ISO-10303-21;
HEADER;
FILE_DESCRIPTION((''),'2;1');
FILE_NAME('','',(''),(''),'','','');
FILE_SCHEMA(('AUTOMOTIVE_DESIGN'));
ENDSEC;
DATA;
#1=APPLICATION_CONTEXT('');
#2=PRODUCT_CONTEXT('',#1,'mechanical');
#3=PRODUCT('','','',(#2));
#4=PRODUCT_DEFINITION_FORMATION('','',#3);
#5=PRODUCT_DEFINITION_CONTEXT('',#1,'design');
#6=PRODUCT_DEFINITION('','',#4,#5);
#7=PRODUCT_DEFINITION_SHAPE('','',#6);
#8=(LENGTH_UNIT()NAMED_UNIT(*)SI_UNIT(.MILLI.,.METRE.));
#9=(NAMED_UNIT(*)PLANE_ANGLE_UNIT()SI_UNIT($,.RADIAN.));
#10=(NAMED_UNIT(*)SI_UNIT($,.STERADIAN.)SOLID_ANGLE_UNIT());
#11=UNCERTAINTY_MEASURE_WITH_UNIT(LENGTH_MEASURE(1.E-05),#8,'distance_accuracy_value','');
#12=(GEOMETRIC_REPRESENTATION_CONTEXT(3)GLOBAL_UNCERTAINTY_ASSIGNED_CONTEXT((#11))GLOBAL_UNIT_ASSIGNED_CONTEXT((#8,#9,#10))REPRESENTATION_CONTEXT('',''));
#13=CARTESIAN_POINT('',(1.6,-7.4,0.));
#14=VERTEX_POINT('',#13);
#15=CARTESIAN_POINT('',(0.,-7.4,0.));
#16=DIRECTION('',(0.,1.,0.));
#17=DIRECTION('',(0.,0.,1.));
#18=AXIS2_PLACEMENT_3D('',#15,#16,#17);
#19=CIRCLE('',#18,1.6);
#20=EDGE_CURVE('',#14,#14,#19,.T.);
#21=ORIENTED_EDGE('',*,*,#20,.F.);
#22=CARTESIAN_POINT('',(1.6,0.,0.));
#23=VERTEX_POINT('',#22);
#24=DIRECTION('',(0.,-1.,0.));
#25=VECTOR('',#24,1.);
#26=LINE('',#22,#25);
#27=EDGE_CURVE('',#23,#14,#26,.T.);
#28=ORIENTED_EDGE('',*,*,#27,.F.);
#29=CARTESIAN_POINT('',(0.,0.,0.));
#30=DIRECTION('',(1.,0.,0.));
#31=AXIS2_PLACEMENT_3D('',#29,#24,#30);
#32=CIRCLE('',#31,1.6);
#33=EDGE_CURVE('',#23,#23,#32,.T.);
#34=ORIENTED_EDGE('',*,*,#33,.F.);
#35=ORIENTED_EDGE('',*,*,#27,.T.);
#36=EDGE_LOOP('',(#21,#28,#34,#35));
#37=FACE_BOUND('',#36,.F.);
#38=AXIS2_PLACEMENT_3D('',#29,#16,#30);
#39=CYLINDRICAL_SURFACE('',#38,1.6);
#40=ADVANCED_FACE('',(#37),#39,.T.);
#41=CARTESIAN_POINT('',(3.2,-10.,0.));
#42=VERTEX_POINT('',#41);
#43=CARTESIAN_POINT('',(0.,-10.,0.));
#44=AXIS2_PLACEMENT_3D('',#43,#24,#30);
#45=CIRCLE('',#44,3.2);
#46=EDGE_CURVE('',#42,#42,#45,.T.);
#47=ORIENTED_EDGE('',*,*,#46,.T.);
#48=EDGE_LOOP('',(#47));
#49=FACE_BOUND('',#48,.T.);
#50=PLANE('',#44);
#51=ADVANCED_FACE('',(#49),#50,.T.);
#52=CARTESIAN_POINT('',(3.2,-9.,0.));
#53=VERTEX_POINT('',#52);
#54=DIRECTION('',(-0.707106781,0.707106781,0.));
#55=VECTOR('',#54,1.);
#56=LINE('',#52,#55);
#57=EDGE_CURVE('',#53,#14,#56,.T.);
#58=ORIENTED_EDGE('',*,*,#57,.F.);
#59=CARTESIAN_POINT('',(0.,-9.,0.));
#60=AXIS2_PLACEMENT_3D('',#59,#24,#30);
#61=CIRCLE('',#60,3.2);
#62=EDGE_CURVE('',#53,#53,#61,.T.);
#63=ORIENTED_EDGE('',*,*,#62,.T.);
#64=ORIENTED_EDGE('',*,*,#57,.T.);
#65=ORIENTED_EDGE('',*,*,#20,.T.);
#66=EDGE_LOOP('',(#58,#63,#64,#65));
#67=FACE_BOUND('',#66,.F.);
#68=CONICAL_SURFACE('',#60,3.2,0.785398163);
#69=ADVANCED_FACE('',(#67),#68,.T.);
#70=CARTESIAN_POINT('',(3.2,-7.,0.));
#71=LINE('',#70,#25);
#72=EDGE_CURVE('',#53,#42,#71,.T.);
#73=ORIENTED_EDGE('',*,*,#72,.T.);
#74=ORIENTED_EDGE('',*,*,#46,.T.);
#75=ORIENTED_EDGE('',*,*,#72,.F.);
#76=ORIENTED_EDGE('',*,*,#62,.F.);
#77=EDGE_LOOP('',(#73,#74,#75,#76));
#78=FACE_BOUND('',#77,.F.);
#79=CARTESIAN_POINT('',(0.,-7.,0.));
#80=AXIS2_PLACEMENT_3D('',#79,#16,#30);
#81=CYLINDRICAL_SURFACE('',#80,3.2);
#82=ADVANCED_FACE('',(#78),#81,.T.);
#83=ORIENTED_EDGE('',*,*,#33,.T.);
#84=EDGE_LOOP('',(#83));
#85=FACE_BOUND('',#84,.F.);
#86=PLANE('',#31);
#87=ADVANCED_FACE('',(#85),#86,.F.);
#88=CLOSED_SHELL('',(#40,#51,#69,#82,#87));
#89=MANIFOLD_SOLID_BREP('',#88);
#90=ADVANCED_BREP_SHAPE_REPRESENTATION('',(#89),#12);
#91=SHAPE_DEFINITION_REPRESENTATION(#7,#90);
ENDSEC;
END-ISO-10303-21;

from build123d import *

# Parameters (mm, degrees)
CYLINDER_R        = 1.6
CYLINDER_DEPTH    = 10
CYLINDER001_R     = 3.2
CYLINDER001_DEPTH = 3
CHAMFER_SIZE      = 2


with BuildPart() as cylinder:
    # Cylinder → Cylinder (new body)
    with BuildSketch(Plane.XZ):
        Circle(CYLINDER_R)
    extrude(amount=CYLINDER_DEPTH)


with BuildPart() as screw_template:
    # Cylinder001 → Cylinder001 (new body)
    with BuildSketch(Plane.XZ):
        Circle(CYLINDER001_R)
    extrude(amount=CYLINDER001_DEPTH)

    # Chamfer
    chamfer_edges = [screw_template.edges().sort_by_distance(p)[0] for p in [
        (-3.2, 0, 0),
    ]]
    chamfer(chamfer_edges, length=CHAMFER_SIZE)


with BuildPart() as screw_template_1:
    # Chamfer placement: moved
    add(screw_template.part.moved(Location((0, -7, 0))))

    # Fusion: union Cylinder
    add(cylinder.part)


solid = screw_template_1.part
